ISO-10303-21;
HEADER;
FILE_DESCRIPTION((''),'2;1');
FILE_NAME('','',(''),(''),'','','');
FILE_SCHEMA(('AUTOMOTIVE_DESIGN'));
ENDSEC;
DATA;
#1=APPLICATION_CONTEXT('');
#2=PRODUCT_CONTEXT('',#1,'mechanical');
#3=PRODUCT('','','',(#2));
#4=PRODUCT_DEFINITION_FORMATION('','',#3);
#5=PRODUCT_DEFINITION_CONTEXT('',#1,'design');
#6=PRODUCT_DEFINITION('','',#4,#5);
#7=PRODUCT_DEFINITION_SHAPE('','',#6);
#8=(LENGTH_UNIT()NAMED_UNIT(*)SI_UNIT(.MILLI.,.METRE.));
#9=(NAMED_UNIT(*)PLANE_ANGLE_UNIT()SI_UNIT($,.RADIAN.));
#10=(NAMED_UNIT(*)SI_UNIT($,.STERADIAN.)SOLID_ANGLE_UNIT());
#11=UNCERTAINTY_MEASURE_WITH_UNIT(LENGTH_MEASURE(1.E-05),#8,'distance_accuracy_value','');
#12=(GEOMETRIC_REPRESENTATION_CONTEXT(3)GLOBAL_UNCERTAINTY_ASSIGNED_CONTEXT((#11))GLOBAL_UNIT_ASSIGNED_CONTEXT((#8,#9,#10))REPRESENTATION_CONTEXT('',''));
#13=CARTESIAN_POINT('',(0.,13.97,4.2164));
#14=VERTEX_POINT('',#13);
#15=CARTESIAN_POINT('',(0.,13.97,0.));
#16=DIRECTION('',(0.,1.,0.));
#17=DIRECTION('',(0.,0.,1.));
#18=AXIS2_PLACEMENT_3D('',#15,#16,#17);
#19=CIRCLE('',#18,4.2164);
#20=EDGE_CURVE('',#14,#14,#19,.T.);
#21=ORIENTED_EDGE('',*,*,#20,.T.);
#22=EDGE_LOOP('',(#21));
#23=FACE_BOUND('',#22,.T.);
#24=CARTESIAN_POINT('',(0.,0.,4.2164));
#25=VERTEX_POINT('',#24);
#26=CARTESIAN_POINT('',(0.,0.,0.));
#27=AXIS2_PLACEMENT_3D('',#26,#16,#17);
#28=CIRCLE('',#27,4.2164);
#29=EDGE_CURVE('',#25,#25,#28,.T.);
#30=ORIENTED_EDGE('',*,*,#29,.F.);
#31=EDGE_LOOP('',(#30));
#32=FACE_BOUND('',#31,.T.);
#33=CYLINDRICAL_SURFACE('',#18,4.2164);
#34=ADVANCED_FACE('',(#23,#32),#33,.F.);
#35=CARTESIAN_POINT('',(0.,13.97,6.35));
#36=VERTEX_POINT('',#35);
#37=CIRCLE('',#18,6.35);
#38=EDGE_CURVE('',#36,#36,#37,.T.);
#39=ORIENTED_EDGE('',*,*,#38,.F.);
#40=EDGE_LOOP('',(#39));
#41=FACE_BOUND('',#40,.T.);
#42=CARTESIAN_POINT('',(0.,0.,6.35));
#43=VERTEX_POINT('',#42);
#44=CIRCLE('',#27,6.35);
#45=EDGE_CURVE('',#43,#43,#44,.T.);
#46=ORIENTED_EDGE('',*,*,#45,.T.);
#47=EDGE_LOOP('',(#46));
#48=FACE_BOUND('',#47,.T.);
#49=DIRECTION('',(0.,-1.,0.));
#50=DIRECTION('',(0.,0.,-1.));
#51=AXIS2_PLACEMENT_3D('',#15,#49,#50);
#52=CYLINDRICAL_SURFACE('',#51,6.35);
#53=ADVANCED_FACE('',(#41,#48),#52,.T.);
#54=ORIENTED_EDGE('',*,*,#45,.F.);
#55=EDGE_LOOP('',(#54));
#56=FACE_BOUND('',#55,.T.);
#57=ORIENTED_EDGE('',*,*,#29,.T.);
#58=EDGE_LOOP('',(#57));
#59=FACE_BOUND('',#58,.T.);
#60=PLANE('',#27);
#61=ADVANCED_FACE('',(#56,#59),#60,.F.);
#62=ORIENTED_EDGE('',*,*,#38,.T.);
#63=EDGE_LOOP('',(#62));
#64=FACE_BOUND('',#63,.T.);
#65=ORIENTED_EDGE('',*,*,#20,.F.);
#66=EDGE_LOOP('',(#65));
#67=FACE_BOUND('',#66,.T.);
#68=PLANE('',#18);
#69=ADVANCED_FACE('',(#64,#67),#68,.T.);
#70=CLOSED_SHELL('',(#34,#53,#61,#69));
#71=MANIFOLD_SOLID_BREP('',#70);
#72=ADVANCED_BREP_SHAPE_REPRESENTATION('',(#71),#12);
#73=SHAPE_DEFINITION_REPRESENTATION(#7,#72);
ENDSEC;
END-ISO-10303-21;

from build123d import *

# Parameters (mm, degrees)
SKETCH1_R                   = 6.35
BOSS_EXTRUDE1_DEPTH         = 13.97
TAP_DRILL_FOR_3_8_24_TAP1_D = 8.4328


with BuildPart() as part:
    # Sketch1 → Boss-Extrude1 (new body)
    with BuildSketch(Plane(origin=(0, 0, 0), x_dir=(1, 0, 0), z_dir=(0, 1, 0))):
        with Locations(Location((0, 0, 0), (0, 0, 270))):
            Circle(SKETCH1_R)
    extrude(amount=BOSS_EXTRUDE1_DEPTH)

    # Tap Drill for 3/8-24 Tap1 (through all)
    with Locations(Plane(origin=(0, 13.97, 0), x_dir=(1, 0, 0), z_dir=(0, 1, 0))):
        with Locations((0, 0)):
            Hole(TAP_DRILL_FOR_3_8_24_TAP1_D / 2)


solid = part.part
